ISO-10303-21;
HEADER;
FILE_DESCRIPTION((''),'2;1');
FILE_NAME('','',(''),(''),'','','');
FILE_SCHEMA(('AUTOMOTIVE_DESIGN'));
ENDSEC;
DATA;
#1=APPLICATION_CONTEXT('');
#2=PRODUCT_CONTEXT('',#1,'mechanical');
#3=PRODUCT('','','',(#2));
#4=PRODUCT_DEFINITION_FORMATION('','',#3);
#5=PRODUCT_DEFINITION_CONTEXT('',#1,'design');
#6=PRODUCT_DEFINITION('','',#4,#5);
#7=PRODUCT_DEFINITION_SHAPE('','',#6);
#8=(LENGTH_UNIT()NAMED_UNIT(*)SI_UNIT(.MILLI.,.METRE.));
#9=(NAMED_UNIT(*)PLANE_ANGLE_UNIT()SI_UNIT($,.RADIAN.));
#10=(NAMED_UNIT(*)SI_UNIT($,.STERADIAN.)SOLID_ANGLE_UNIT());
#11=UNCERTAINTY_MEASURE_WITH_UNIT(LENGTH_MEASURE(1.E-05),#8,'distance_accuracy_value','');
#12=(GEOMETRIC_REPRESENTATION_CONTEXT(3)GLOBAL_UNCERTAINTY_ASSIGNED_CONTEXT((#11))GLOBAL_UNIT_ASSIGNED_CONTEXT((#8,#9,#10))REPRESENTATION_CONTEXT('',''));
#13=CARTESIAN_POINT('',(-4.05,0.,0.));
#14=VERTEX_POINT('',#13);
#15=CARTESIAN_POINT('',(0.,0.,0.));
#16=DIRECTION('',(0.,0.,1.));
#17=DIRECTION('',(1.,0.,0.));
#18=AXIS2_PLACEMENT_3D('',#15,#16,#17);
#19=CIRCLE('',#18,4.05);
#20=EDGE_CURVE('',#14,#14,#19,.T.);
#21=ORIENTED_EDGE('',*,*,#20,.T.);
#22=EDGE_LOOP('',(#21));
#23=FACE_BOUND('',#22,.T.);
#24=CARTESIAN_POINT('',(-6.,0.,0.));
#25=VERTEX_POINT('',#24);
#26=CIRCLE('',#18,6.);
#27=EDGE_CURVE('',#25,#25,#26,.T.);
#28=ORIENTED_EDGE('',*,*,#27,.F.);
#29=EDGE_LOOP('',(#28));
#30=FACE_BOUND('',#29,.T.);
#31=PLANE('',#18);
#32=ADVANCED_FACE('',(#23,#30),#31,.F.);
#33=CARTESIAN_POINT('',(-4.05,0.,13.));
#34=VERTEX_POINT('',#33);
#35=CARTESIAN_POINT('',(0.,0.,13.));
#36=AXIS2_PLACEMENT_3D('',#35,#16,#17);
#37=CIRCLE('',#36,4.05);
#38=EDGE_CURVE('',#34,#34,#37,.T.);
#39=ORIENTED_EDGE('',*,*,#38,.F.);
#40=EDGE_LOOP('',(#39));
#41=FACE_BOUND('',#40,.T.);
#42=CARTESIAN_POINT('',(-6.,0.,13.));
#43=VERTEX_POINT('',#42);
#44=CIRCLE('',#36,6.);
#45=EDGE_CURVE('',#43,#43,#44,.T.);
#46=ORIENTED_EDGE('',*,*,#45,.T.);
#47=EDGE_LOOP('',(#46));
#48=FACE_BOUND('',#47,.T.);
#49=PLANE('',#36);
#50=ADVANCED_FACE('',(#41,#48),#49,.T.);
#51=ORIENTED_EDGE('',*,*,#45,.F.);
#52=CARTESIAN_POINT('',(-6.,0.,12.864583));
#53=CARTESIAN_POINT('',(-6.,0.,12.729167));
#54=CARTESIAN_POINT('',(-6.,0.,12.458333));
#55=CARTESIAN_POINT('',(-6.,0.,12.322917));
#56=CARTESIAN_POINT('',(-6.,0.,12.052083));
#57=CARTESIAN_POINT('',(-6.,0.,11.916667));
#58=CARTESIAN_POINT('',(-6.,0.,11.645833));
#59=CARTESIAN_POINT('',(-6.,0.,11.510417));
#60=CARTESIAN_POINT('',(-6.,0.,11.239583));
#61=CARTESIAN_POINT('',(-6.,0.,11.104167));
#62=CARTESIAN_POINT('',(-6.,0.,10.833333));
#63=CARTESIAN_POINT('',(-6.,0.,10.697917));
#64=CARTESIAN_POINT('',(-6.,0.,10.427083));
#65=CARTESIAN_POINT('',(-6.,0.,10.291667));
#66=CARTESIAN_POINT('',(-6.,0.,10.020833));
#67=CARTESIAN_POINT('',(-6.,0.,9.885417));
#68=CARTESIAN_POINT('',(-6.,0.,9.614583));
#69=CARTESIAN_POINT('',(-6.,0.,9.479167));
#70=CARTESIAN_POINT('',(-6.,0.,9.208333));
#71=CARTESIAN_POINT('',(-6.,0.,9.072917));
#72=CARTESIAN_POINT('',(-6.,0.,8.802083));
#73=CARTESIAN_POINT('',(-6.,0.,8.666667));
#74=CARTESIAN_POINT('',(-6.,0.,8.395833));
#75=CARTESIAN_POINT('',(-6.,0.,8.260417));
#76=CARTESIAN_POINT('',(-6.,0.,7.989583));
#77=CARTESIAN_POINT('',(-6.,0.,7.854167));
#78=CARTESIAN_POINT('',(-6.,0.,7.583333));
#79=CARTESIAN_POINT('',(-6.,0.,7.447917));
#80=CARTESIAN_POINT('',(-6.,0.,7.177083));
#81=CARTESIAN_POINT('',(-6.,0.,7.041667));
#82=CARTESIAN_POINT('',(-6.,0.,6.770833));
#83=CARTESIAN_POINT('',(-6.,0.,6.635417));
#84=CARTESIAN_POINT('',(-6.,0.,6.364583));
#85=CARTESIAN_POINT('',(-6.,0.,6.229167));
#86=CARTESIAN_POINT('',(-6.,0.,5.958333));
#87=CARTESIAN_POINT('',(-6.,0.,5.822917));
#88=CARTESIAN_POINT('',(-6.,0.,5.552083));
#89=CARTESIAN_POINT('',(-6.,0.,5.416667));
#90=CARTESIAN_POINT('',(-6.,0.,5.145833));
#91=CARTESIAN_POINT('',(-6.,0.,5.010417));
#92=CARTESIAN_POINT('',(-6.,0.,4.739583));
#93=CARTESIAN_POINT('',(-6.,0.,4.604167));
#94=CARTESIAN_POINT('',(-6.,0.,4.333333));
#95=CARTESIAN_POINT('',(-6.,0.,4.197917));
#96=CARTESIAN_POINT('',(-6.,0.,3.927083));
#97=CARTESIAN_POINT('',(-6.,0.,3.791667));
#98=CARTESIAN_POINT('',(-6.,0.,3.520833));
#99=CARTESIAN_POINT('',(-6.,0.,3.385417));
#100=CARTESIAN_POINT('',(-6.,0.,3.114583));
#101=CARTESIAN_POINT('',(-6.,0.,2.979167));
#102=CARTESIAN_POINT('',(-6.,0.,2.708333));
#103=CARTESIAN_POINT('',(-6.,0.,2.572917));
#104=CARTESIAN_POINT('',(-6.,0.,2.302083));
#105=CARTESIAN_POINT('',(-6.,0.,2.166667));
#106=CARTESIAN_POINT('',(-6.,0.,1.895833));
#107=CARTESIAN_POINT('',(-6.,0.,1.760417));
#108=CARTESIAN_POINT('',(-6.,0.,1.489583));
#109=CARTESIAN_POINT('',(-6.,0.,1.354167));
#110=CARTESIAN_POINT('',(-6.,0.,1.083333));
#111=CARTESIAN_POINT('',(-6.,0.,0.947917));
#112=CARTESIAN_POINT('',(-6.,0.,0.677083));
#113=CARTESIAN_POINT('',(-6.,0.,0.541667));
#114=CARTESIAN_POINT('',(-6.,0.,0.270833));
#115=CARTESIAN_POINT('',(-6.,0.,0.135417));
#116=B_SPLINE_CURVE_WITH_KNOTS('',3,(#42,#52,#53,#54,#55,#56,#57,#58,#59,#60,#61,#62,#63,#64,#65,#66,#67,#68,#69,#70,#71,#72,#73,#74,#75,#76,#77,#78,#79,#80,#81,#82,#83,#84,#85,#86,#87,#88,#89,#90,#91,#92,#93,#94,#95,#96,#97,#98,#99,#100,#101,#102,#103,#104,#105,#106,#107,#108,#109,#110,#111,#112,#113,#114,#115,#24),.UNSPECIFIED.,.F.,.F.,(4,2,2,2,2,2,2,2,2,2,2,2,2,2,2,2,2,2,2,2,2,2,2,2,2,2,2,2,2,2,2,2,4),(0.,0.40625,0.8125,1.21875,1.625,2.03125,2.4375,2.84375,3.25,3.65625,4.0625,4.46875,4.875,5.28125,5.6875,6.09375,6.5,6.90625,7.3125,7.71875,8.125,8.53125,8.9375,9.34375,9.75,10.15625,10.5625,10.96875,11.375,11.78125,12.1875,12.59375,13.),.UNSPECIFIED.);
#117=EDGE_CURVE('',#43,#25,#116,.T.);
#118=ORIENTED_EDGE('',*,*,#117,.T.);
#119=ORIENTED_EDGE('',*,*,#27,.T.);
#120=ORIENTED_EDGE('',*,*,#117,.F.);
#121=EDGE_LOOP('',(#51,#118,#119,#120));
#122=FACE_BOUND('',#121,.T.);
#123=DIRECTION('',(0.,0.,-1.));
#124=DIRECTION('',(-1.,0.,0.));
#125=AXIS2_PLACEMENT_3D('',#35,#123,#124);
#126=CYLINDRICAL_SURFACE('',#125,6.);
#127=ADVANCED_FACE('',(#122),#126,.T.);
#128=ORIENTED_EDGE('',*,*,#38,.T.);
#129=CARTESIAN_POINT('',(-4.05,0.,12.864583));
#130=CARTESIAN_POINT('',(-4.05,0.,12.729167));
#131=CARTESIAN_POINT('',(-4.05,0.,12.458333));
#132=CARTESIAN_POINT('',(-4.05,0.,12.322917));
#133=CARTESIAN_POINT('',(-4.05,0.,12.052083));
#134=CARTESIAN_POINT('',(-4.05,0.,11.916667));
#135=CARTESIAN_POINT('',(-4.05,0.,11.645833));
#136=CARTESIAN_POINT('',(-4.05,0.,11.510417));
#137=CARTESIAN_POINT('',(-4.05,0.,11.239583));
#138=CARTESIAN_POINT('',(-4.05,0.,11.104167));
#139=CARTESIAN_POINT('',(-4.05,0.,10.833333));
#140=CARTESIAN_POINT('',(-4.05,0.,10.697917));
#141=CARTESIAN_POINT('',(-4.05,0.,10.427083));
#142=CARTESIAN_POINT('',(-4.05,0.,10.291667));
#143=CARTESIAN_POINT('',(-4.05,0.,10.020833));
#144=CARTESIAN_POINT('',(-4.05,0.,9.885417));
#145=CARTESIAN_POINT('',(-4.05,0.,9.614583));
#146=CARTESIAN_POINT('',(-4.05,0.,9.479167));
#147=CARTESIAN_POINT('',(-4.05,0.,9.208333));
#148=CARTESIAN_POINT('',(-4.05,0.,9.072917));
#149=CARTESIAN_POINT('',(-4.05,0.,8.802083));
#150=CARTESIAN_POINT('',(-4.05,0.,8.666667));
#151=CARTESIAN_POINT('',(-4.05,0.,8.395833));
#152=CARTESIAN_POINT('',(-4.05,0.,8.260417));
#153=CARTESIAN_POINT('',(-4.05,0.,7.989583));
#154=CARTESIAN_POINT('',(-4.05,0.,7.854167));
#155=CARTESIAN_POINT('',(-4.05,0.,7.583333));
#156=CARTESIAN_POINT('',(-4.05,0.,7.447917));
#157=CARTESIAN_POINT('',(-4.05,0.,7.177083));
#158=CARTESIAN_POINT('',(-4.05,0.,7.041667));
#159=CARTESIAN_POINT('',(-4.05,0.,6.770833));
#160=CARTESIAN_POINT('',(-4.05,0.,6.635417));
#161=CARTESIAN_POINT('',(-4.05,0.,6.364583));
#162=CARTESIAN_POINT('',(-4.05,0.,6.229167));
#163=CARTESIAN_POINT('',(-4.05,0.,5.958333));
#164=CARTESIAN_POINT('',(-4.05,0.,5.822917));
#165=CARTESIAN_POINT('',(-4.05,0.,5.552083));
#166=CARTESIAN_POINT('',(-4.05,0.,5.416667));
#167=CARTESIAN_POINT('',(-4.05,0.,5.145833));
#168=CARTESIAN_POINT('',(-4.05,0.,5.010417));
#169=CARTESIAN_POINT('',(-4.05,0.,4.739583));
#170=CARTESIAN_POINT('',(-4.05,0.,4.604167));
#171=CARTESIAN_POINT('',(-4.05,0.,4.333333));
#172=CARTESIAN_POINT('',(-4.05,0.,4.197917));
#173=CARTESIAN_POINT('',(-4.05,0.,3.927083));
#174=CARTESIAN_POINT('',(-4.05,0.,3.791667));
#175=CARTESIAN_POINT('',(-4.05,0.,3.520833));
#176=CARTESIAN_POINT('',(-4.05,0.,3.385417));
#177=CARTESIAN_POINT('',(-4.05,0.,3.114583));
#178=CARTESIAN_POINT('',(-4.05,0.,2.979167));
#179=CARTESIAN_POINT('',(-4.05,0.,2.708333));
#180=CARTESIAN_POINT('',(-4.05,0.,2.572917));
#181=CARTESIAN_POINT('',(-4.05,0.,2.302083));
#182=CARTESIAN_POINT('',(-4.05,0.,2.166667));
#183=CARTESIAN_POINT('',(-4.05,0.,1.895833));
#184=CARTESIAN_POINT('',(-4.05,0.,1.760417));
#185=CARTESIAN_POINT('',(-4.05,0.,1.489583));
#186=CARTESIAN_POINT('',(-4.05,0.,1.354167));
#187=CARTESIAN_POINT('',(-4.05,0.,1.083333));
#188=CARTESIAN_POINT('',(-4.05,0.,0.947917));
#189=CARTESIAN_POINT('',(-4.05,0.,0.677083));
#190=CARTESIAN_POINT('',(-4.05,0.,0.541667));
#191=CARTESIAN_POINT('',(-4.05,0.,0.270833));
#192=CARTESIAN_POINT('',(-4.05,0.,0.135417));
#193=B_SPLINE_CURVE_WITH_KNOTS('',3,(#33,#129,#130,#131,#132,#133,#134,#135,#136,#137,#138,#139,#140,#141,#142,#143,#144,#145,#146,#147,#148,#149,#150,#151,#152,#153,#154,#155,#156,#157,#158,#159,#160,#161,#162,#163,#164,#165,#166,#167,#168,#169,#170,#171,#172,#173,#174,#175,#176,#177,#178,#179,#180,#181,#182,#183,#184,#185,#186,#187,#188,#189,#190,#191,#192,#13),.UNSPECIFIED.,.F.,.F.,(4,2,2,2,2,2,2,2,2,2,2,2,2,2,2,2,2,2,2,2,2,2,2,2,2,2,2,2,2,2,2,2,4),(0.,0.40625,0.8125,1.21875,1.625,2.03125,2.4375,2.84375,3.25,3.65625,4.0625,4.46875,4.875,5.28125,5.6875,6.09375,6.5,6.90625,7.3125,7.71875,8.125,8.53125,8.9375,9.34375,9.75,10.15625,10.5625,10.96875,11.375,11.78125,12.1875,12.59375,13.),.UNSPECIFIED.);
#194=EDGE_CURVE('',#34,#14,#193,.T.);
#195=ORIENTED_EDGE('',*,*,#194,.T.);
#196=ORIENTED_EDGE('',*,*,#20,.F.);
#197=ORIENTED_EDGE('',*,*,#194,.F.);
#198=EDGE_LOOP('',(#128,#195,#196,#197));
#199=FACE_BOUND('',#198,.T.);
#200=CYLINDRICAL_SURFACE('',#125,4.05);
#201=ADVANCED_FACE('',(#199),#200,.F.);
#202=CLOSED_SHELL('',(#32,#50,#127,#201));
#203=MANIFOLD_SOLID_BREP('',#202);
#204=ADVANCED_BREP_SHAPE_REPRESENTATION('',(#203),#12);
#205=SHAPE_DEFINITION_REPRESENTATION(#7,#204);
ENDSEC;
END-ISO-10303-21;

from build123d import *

# Parameters (mm, degrees)
ESQUISSE1_R        = 6
ESQUISSE1_R_2      = 4.05
BOSS_EXTRU_1_DEPTH = 13


with BuildPart() as part:
    # Esquisse1 → Boss.-Extru.1 (new body)
    with BuildSketch(Plane.XY):
        with Locations(Location((0, 0, 0), (0, 0, 180))):
            Circle(ESQUISSE1_R)
        with Locations(Location((0, 0, 0), (0, 0, 180))):
            Circle(ESQUISSE1_R_2, mode=Mode.SUBTRACT)
    extrude(amount=BOSS_EXTRU_1_DEPTH)


solid = part.part
